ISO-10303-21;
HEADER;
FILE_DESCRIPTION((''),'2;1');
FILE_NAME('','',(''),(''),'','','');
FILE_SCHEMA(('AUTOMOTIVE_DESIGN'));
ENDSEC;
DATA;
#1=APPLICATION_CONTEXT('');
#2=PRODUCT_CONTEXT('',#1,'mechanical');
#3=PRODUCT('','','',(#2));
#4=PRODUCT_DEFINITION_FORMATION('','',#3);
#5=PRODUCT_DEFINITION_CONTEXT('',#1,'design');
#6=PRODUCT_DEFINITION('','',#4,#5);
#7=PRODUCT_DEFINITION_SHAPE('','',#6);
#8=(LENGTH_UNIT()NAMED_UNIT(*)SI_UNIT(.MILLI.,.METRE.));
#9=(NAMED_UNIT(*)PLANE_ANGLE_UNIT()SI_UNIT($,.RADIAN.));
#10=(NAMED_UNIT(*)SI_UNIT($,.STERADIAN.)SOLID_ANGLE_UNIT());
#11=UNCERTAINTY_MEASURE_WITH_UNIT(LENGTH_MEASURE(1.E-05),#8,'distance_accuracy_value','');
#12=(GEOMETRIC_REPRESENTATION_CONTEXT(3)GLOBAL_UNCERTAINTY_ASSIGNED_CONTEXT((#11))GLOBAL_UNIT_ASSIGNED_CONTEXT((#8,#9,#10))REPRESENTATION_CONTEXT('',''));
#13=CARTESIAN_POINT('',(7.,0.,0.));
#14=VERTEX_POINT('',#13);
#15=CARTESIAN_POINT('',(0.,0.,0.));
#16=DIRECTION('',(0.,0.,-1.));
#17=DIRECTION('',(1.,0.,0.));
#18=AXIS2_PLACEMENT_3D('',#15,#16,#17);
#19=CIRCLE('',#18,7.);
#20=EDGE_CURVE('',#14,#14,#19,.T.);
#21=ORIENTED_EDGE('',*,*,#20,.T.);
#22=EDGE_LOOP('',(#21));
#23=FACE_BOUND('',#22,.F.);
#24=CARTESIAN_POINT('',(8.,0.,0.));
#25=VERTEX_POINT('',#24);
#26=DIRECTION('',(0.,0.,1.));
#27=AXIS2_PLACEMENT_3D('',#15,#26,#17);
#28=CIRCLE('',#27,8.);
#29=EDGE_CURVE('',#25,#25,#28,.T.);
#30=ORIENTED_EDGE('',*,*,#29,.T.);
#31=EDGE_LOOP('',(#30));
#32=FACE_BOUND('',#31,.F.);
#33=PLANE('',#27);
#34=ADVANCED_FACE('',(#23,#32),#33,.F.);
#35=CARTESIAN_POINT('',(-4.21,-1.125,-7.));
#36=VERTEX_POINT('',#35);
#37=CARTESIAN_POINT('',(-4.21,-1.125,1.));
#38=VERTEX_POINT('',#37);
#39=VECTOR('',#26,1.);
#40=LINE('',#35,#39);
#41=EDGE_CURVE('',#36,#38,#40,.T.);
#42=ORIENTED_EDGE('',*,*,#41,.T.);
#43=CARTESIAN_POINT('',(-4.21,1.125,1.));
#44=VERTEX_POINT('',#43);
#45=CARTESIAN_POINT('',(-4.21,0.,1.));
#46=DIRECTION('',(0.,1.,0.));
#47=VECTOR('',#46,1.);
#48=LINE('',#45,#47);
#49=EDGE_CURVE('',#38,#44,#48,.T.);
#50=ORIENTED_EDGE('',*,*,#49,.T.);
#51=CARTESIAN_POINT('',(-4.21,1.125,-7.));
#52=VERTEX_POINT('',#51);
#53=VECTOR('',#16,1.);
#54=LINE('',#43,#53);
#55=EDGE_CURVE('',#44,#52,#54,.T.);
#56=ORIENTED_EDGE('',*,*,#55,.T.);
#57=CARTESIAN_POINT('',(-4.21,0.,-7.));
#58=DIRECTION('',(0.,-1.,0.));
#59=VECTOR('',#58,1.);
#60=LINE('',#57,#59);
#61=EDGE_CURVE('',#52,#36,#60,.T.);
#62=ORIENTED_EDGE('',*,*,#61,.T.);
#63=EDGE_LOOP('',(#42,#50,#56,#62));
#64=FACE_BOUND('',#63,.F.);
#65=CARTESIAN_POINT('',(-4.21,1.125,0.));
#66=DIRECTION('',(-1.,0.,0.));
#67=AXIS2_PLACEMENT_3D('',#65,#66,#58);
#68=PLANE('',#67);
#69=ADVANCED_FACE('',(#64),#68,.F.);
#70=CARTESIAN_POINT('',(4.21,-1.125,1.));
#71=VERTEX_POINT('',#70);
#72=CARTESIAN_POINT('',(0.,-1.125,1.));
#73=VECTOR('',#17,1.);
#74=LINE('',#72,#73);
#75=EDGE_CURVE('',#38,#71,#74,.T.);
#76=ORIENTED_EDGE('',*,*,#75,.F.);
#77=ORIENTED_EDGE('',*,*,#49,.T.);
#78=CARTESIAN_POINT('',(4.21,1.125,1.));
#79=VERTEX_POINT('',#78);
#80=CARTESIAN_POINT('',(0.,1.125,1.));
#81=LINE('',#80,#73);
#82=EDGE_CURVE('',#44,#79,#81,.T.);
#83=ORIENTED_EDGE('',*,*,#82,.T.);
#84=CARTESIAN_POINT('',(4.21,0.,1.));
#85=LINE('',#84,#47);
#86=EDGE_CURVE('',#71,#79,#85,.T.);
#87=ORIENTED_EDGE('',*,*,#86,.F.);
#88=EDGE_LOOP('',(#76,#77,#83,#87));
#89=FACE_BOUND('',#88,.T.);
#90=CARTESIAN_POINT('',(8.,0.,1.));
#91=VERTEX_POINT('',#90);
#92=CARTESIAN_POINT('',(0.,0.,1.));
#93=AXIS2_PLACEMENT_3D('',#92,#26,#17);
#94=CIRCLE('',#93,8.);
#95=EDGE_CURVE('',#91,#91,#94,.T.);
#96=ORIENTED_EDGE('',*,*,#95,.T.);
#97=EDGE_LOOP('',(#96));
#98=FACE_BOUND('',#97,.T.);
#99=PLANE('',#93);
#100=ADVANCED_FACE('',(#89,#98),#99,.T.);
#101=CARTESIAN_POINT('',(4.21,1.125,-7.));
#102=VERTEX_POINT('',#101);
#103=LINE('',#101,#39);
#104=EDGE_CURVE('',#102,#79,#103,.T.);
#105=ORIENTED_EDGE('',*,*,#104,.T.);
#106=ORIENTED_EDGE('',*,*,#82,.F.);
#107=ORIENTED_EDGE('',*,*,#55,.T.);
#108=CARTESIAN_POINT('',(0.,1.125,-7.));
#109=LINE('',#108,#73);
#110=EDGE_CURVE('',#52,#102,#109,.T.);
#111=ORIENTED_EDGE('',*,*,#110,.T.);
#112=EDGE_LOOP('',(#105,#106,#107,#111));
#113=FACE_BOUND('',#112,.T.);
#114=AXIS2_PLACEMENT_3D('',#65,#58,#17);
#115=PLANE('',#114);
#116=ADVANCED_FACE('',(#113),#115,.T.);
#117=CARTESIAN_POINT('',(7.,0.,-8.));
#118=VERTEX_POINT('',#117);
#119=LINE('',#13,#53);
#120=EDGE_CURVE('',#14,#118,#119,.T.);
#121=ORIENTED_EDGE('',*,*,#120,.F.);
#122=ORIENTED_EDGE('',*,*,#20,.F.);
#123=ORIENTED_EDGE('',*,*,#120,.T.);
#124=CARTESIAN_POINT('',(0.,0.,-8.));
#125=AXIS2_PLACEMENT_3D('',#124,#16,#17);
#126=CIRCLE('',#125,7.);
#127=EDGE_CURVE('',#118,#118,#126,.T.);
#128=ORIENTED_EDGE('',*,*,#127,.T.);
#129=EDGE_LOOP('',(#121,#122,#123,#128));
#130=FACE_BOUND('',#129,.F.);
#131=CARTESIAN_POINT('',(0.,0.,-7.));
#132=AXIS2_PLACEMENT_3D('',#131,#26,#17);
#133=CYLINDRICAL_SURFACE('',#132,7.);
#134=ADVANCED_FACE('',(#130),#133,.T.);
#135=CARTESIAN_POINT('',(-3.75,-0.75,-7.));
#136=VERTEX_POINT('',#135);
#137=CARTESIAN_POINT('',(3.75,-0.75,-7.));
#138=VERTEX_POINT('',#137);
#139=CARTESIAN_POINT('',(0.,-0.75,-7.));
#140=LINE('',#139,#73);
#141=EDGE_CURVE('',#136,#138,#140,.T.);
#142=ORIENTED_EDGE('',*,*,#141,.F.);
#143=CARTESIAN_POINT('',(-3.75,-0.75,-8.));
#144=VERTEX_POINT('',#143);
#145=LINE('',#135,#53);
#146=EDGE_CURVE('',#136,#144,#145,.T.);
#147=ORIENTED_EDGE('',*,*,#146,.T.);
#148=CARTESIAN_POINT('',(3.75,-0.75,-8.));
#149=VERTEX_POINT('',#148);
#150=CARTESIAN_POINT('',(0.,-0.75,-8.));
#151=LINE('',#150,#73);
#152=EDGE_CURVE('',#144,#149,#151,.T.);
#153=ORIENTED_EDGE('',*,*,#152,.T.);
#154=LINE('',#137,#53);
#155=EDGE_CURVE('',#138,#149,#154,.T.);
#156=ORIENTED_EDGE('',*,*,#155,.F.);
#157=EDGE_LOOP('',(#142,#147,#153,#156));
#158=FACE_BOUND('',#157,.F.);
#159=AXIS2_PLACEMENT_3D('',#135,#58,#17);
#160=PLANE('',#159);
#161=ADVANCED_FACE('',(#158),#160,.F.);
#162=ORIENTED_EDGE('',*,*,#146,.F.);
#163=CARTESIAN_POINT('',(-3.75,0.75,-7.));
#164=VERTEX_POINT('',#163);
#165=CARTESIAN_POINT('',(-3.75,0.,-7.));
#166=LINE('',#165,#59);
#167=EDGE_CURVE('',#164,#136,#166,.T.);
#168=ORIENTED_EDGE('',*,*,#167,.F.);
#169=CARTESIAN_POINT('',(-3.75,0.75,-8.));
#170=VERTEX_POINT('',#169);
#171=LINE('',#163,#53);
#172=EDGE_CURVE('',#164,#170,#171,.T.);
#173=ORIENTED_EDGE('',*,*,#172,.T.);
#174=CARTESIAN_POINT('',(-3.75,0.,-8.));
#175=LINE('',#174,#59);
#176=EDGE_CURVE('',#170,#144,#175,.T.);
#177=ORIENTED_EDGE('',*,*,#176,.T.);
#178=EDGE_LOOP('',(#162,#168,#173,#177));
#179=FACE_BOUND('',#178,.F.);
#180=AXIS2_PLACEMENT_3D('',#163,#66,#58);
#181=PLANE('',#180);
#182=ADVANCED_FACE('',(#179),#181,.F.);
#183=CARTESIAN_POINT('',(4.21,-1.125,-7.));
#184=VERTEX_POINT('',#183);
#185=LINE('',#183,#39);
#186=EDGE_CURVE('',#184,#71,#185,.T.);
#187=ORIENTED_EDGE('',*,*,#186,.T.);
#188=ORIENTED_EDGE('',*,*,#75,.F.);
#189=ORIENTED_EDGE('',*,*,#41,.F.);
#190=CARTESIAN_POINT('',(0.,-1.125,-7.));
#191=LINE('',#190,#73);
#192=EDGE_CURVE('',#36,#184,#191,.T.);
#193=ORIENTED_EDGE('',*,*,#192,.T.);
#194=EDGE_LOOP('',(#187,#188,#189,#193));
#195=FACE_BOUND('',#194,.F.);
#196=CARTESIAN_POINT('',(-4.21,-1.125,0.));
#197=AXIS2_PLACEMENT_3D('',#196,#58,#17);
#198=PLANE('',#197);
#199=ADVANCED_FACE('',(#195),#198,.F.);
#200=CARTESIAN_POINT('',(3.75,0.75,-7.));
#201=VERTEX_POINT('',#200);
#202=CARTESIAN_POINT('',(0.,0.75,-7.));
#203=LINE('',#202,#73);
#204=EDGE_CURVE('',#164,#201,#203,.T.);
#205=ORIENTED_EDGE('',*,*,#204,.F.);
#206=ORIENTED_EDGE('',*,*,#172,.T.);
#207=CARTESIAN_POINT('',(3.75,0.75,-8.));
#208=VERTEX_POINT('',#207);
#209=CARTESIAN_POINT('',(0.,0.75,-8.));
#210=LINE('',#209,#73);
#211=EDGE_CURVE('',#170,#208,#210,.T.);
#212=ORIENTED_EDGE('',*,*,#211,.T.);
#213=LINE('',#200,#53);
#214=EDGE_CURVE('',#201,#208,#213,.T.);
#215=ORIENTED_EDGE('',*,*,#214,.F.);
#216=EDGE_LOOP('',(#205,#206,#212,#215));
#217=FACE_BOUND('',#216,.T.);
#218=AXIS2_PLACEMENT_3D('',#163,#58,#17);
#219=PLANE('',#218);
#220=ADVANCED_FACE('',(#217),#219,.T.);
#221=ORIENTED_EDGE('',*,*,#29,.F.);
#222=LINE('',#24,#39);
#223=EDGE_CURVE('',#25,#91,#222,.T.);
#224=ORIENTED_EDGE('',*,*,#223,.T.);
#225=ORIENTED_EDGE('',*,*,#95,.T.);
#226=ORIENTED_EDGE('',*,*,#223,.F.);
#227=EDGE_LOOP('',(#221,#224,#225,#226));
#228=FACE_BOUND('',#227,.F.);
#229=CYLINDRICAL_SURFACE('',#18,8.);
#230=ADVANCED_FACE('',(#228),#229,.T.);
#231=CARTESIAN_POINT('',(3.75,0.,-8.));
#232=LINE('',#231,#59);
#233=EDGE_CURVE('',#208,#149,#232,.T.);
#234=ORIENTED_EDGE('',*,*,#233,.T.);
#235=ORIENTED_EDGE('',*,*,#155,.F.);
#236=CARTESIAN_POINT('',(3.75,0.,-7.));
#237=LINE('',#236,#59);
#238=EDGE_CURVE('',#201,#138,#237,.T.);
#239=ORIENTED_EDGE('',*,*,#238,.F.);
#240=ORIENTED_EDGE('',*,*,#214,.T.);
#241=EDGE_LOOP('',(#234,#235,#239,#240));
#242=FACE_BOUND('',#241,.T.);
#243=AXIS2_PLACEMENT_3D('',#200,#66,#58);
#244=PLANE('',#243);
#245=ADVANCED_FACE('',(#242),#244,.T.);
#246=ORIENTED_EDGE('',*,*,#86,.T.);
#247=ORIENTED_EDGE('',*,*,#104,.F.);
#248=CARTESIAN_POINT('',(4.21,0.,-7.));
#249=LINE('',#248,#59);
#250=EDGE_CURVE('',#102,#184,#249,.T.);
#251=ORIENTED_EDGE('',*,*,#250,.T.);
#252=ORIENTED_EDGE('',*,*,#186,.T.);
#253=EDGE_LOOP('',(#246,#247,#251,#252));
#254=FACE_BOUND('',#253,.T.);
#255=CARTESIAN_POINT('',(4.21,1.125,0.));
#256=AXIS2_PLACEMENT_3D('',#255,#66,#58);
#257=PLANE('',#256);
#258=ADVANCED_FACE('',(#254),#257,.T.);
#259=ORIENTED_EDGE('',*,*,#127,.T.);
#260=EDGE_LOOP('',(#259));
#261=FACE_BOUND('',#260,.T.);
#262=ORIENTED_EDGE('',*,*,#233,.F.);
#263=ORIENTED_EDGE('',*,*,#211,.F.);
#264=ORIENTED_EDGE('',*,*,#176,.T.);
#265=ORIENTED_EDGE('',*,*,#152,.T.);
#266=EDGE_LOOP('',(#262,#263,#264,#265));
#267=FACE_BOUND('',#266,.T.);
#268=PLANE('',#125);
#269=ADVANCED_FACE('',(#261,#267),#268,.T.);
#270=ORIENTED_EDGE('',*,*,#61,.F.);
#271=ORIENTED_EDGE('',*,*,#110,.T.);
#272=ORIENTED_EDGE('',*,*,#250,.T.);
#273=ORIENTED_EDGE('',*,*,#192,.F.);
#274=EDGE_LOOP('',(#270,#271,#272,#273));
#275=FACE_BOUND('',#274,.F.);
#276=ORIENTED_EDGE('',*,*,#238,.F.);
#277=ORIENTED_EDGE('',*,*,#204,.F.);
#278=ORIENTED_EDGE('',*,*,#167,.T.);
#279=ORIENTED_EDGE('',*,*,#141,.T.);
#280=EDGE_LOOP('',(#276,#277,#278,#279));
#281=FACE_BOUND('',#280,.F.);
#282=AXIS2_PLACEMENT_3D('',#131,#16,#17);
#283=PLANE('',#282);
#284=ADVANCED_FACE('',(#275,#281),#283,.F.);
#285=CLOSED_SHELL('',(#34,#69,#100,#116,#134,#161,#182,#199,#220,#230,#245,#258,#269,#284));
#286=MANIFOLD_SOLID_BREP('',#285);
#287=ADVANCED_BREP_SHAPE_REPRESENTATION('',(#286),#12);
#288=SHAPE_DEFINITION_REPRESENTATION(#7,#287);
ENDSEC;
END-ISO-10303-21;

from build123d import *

# Parameters (mm, degrees)
SKETCH_R     = 8
SKETCH_W     = 8.42
SKETCH_H     = 2.25
PAD_DEPTH    = 1
SKETCH001_R  = 7
SKETCH001_W  = 8.42
SKETCH001_H  = 2.25
PAD001_DEPTH = 7
SKETCH002_R  = 7
SKETCH002_W  = 7.5
SKETCH002_H  = 1.5
PAD002_DEPTH = 1


with BuildPart() as part:
    # Sketch → Pad (new body)
    with BuildSketch(Plane.XY):
        Circle(SKETCH_R)
        Rectangle(SKETCH_W, SKETCH_H, mode=Mode.SUBTRACT)
    extrude(amount=PAD_DEPTH)

    # Sketch001 (on Face6 of Pad) → Pad001 (join)
    with BuildSketch(Plane(origin=(0, 0, 0), x_dir=(1, 0, 0), z_dir=(0, 0, -1))):
        Circle(SKETCH001_R)
        Rectangle(SKETCH001_W, SKETCH001_H, mode=Mode.SUBTRACT)
    extrude(amount=PAD001_DEPTH)

    # Sketch002 (on Face9 of Pad001) → Pad002 (join)
    with BuildSketch(Plane(origin=(0, 0, -7), x_dir=(1, 0, 0), z_dir=(0, 0, -1))):
        Circle(SKETCH002_R)
        Rectangle(SKETCH002_W, SKETCH002_H, mode=Mode.SUBTRACT)
    extrude(amount=PAD002_DEPTH)


solid = part.part
